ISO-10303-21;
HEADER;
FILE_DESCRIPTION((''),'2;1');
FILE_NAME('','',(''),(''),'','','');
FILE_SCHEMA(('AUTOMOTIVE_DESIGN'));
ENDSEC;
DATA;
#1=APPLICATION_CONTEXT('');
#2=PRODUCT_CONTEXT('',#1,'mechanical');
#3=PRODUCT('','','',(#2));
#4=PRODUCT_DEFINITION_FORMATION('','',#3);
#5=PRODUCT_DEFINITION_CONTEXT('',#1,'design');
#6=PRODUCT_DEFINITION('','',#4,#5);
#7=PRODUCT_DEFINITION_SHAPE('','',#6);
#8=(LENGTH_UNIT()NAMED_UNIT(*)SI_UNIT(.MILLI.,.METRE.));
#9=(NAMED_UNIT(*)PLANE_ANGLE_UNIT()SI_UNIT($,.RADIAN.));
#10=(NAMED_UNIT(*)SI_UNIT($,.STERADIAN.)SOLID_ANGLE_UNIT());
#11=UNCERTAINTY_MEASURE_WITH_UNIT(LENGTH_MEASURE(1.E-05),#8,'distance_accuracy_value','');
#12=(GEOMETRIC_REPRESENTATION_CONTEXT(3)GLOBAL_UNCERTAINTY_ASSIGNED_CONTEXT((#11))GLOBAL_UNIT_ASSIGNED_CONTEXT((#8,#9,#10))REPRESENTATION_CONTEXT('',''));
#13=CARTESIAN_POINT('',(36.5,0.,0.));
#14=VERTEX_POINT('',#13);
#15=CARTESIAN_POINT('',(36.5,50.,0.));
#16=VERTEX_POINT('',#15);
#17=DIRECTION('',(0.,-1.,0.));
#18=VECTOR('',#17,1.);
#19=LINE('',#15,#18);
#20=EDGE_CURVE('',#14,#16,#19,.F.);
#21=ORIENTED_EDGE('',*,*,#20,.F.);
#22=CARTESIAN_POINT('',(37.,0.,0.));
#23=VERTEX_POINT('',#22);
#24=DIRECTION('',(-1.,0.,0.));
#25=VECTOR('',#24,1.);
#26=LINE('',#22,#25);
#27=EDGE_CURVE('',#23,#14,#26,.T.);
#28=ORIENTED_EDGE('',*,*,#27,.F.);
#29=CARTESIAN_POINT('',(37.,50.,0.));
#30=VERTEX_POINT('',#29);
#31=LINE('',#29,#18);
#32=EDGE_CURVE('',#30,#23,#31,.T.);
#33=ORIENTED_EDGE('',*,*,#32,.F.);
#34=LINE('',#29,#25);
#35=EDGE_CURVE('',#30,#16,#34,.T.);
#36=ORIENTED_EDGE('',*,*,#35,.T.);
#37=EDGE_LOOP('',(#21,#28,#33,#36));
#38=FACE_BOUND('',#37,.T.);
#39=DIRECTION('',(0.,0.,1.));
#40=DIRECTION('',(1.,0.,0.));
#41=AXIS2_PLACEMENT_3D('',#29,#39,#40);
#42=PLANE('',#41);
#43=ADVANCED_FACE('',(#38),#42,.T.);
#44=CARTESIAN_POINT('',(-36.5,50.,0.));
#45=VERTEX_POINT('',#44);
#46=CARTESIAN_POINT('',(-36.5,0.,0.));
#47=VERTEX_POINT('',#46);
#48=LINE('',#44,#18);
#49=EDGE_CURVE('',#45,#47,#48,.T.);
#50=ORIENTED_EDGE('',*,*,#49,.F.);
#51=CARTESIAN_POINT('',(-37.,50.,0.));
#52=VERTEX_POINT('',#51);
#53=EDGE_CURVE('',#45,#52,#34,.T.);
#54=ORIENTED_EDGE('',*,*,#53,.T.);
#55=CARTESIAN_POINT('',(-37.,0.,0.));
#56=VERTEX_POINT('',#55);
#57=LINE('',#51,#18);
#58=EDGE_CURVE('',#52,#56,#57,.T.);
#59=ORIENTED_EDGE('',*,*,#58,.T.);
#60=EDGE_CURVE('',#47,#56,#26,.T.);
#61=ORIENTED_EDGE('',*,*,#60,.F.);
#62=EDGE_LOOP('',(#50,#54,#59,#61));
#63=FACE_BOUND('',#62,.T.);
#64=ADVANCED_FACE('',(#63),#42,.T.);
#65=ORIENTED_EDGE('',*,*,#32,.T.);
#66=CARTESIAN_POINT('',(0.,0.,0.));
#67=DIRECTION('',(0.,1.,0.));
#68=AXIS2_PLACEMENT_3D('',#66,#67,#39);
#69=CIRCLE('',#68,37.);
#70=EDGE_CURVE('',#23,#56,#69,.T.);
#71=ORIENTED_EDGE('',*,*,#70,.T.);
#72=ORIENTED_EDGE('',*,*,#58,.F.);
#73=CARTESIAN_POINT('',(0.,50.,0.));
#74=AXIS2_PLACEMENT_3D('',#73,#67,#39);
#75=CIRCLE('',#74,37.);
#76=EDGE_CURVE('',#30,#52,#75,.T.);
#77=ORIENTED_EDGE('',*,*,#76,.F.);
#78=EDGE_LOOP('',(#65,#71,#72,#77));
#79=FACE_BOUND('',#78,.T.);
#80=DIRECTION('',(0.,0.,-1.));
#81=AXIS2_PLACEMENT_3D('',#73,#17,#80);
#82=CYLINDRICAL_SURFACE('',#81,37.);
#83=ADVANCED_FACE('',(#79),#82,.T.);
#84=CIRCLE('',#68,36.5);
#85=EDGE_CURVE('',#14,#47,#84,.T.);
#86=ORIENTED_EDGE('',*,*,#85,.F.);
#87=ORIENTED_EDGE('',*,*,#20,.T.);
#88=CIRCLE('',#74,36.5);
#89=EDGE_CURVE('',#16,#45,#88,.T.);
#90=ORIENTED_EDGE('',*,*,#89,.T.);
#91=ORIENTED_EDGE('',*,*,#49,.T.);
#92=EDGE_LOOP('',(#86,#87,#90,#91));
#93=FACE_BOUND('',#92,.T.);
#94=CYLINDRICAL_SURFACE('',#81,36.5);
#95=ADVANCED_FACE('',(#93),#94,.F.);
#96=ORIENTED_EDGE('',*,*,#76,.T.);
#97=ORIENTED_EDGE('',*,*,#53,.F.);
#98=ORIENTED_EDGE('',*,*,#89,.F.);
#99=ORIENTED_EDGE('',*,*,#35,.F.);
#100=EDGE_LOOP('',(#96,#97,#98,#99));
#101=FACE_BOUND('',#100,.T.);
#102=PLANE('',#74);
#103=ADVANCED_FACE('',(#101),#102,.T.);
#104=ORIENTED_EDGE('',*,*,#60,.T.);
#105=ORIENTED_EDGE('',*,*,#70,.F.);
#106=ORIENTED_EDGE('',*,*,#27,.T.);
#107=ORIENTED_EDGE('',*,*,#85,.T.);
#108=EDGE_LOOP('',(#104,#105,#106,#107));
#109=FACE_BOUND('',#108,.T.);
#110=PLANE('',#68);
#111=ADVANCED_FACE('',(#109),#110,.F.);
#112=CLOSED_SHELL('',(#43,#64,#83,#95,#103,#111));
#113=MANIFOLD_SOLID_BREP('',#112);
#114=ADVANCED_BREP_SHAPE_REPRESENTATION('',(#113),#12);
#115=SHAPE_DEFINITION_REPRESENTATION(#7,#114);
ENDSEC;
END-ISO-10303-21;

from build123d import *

# Parameters (mm, degrees)
SKETCH1_R           = 37
SKETCH1_R_2         = 36.5
BOSS_EXTRUDE1_DEPTH = 50
CUT_EXTRUDE2_DEPTH  = 51


with BuildPart() as part:
    # Sketch1 → Boss-Extrude1 (new body)
    with BuildSketch(Plane(origin=(0, 0, 0), x_dir=(1, 0, 0), z_dir=(0, 1, 0))):
        Circle(SKETCH1_R)
        Circle(SKETCH1_R_2, mode=Mode.SUBTRACT)
    extrude(amount=BOSS_EXTRUDE1_DEPTH)

    # Sketch2 → Cut-Extrude2 (cut, through all)
    with BuildSketch(Plane(origin=(0, 0, 0), x_dir=(1, 0, 0), z_dir=(0, 1, 0))):
        with BuildLine():
            Line((37, 0), (-37, 0))
            ThreePointArc((-37, 0), (0, -37), (37, 0))
        make_face()
    extrude(amount=CUT_EXTRUDE2_DEPTH, mode=Mode.SUBTRACT)


solid = part.part
